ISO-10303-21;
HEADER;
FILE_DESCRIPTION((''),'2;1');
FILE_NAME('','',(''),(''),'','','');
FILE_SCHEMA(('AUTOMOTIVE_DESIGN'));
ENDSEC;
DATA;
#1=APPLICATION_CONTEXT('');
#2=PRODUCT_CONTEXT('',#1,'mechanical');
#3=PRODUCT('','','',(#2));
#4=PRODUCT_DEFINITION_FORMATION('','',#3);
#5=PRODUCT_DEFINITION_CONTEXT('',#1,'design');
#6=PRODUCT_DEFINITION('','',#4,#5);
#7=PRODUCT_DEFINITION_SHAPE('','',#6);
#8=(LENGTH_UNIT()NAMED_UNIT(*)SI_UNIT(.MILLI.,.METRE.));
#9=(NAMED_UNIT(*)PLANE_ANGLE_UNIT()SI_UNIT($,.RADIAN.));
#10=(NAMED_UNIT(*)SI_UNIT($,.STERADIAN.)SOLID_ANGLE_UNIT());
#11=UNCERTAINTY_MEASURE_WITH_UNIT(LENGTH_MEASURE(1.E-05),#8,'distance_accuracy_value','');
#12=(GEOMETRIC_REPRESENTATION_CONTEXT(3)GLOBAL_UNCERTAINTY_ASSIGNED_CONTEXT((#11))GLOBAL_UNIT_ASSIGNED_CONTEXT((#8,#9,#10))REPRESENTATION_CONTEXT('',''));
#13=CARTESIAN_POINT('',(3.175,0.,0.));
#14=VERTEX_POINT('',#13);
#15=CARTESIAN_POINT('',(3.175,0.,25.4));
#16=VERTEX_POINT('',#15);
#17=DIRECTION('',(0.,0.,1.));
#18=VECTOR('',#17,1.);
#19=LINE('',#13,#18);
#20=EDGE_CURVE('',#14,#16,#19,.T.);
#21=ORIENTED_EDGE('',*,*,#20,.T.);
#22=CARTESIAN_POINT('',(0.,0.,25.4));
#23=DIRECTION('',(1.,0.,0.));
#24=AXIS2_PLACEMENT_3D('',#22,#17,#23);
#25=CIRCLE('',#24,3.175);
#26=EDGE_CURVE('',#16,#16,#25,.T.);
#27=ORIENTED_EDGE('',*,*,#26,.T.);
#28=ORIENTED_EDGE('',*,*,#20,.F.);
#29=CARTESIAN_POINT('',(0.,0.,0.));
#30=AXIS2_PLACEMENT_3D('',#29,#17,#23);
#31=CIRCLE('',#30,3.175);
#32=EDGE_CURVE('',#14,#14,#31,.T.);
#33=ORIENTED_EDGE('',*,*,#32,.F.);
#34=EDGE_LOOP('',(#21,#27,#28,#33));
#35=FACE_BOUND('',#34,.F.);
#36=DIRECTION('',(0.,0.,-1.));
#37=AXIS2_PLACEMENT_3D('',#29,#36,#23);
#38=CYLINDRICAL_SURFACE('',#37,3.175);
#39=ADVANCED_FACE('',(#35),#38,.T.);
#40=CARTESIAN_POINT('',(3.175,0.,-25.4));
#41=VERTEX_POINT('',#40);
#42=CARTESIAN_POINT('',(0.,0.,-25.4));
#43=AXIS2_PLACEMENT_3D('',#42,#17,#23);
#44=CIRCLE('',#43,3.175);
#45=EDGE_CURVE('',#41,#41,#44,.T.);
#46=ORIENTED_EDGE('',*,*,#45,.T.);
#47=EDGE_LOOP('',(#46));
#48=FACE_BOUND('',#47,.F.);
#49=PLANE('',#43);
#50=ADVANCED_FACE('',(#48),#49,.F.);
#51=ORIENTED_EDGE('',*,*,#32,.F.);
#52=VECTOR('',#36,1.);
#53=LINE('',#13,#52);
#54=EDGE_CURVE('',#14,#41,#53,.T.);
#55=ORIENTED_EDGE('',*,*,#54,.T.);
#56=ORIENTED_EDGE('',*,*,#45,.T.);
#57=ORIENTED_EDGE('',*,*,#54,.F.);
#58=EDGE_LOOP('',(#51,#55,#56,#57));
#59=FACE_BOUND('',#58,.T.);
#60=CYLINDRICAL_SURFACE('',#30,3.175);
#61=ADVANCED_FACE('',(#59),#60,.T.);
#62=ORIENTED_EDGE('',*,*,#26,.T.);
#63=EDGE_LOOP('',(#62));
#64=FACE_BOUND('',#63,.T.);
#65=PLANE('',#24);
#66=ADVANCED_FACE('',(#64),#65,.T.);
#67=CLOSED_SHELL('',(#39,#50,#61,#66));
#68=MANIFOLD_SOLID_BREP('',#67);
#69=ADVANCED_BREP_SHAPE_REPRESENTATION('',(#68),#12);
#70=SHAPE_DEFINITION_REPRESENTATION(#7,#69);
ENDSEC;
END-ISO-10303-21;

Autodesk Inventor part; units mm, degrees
ref_plane "YZ Plane" through (0, 0, 0) normal (1, 0, 0) x (0, 1, 0)
ref_plane "XZ Plane" through (0, 0, 0) normal (0, 1, 0) x (-1, 0, 0)
sketch "Sketch1" plane through (0, 0, 0) normal (0, 0, 1) x (1, 0, 0)
  circle A0 centre (0, 0) radius 3.175
  dimension "d0" = 6.35
extrude "Extrusion1" add sketch "Sketch1" along normal mid plane 50.8
thread "Thread1" size "1/4-20 UNC" class "2A" standard "ANSI Unified Screw Threads" full length
equation "\"d0\" = diameterOfScrew"
equation "\"d1\" = lengthOfScrew"
equation "\"diameterOfScrew\" = 6.35"
equation "\"lengthOfScrew\" = 50.8"
properties part number "screwForAngledPiece"
